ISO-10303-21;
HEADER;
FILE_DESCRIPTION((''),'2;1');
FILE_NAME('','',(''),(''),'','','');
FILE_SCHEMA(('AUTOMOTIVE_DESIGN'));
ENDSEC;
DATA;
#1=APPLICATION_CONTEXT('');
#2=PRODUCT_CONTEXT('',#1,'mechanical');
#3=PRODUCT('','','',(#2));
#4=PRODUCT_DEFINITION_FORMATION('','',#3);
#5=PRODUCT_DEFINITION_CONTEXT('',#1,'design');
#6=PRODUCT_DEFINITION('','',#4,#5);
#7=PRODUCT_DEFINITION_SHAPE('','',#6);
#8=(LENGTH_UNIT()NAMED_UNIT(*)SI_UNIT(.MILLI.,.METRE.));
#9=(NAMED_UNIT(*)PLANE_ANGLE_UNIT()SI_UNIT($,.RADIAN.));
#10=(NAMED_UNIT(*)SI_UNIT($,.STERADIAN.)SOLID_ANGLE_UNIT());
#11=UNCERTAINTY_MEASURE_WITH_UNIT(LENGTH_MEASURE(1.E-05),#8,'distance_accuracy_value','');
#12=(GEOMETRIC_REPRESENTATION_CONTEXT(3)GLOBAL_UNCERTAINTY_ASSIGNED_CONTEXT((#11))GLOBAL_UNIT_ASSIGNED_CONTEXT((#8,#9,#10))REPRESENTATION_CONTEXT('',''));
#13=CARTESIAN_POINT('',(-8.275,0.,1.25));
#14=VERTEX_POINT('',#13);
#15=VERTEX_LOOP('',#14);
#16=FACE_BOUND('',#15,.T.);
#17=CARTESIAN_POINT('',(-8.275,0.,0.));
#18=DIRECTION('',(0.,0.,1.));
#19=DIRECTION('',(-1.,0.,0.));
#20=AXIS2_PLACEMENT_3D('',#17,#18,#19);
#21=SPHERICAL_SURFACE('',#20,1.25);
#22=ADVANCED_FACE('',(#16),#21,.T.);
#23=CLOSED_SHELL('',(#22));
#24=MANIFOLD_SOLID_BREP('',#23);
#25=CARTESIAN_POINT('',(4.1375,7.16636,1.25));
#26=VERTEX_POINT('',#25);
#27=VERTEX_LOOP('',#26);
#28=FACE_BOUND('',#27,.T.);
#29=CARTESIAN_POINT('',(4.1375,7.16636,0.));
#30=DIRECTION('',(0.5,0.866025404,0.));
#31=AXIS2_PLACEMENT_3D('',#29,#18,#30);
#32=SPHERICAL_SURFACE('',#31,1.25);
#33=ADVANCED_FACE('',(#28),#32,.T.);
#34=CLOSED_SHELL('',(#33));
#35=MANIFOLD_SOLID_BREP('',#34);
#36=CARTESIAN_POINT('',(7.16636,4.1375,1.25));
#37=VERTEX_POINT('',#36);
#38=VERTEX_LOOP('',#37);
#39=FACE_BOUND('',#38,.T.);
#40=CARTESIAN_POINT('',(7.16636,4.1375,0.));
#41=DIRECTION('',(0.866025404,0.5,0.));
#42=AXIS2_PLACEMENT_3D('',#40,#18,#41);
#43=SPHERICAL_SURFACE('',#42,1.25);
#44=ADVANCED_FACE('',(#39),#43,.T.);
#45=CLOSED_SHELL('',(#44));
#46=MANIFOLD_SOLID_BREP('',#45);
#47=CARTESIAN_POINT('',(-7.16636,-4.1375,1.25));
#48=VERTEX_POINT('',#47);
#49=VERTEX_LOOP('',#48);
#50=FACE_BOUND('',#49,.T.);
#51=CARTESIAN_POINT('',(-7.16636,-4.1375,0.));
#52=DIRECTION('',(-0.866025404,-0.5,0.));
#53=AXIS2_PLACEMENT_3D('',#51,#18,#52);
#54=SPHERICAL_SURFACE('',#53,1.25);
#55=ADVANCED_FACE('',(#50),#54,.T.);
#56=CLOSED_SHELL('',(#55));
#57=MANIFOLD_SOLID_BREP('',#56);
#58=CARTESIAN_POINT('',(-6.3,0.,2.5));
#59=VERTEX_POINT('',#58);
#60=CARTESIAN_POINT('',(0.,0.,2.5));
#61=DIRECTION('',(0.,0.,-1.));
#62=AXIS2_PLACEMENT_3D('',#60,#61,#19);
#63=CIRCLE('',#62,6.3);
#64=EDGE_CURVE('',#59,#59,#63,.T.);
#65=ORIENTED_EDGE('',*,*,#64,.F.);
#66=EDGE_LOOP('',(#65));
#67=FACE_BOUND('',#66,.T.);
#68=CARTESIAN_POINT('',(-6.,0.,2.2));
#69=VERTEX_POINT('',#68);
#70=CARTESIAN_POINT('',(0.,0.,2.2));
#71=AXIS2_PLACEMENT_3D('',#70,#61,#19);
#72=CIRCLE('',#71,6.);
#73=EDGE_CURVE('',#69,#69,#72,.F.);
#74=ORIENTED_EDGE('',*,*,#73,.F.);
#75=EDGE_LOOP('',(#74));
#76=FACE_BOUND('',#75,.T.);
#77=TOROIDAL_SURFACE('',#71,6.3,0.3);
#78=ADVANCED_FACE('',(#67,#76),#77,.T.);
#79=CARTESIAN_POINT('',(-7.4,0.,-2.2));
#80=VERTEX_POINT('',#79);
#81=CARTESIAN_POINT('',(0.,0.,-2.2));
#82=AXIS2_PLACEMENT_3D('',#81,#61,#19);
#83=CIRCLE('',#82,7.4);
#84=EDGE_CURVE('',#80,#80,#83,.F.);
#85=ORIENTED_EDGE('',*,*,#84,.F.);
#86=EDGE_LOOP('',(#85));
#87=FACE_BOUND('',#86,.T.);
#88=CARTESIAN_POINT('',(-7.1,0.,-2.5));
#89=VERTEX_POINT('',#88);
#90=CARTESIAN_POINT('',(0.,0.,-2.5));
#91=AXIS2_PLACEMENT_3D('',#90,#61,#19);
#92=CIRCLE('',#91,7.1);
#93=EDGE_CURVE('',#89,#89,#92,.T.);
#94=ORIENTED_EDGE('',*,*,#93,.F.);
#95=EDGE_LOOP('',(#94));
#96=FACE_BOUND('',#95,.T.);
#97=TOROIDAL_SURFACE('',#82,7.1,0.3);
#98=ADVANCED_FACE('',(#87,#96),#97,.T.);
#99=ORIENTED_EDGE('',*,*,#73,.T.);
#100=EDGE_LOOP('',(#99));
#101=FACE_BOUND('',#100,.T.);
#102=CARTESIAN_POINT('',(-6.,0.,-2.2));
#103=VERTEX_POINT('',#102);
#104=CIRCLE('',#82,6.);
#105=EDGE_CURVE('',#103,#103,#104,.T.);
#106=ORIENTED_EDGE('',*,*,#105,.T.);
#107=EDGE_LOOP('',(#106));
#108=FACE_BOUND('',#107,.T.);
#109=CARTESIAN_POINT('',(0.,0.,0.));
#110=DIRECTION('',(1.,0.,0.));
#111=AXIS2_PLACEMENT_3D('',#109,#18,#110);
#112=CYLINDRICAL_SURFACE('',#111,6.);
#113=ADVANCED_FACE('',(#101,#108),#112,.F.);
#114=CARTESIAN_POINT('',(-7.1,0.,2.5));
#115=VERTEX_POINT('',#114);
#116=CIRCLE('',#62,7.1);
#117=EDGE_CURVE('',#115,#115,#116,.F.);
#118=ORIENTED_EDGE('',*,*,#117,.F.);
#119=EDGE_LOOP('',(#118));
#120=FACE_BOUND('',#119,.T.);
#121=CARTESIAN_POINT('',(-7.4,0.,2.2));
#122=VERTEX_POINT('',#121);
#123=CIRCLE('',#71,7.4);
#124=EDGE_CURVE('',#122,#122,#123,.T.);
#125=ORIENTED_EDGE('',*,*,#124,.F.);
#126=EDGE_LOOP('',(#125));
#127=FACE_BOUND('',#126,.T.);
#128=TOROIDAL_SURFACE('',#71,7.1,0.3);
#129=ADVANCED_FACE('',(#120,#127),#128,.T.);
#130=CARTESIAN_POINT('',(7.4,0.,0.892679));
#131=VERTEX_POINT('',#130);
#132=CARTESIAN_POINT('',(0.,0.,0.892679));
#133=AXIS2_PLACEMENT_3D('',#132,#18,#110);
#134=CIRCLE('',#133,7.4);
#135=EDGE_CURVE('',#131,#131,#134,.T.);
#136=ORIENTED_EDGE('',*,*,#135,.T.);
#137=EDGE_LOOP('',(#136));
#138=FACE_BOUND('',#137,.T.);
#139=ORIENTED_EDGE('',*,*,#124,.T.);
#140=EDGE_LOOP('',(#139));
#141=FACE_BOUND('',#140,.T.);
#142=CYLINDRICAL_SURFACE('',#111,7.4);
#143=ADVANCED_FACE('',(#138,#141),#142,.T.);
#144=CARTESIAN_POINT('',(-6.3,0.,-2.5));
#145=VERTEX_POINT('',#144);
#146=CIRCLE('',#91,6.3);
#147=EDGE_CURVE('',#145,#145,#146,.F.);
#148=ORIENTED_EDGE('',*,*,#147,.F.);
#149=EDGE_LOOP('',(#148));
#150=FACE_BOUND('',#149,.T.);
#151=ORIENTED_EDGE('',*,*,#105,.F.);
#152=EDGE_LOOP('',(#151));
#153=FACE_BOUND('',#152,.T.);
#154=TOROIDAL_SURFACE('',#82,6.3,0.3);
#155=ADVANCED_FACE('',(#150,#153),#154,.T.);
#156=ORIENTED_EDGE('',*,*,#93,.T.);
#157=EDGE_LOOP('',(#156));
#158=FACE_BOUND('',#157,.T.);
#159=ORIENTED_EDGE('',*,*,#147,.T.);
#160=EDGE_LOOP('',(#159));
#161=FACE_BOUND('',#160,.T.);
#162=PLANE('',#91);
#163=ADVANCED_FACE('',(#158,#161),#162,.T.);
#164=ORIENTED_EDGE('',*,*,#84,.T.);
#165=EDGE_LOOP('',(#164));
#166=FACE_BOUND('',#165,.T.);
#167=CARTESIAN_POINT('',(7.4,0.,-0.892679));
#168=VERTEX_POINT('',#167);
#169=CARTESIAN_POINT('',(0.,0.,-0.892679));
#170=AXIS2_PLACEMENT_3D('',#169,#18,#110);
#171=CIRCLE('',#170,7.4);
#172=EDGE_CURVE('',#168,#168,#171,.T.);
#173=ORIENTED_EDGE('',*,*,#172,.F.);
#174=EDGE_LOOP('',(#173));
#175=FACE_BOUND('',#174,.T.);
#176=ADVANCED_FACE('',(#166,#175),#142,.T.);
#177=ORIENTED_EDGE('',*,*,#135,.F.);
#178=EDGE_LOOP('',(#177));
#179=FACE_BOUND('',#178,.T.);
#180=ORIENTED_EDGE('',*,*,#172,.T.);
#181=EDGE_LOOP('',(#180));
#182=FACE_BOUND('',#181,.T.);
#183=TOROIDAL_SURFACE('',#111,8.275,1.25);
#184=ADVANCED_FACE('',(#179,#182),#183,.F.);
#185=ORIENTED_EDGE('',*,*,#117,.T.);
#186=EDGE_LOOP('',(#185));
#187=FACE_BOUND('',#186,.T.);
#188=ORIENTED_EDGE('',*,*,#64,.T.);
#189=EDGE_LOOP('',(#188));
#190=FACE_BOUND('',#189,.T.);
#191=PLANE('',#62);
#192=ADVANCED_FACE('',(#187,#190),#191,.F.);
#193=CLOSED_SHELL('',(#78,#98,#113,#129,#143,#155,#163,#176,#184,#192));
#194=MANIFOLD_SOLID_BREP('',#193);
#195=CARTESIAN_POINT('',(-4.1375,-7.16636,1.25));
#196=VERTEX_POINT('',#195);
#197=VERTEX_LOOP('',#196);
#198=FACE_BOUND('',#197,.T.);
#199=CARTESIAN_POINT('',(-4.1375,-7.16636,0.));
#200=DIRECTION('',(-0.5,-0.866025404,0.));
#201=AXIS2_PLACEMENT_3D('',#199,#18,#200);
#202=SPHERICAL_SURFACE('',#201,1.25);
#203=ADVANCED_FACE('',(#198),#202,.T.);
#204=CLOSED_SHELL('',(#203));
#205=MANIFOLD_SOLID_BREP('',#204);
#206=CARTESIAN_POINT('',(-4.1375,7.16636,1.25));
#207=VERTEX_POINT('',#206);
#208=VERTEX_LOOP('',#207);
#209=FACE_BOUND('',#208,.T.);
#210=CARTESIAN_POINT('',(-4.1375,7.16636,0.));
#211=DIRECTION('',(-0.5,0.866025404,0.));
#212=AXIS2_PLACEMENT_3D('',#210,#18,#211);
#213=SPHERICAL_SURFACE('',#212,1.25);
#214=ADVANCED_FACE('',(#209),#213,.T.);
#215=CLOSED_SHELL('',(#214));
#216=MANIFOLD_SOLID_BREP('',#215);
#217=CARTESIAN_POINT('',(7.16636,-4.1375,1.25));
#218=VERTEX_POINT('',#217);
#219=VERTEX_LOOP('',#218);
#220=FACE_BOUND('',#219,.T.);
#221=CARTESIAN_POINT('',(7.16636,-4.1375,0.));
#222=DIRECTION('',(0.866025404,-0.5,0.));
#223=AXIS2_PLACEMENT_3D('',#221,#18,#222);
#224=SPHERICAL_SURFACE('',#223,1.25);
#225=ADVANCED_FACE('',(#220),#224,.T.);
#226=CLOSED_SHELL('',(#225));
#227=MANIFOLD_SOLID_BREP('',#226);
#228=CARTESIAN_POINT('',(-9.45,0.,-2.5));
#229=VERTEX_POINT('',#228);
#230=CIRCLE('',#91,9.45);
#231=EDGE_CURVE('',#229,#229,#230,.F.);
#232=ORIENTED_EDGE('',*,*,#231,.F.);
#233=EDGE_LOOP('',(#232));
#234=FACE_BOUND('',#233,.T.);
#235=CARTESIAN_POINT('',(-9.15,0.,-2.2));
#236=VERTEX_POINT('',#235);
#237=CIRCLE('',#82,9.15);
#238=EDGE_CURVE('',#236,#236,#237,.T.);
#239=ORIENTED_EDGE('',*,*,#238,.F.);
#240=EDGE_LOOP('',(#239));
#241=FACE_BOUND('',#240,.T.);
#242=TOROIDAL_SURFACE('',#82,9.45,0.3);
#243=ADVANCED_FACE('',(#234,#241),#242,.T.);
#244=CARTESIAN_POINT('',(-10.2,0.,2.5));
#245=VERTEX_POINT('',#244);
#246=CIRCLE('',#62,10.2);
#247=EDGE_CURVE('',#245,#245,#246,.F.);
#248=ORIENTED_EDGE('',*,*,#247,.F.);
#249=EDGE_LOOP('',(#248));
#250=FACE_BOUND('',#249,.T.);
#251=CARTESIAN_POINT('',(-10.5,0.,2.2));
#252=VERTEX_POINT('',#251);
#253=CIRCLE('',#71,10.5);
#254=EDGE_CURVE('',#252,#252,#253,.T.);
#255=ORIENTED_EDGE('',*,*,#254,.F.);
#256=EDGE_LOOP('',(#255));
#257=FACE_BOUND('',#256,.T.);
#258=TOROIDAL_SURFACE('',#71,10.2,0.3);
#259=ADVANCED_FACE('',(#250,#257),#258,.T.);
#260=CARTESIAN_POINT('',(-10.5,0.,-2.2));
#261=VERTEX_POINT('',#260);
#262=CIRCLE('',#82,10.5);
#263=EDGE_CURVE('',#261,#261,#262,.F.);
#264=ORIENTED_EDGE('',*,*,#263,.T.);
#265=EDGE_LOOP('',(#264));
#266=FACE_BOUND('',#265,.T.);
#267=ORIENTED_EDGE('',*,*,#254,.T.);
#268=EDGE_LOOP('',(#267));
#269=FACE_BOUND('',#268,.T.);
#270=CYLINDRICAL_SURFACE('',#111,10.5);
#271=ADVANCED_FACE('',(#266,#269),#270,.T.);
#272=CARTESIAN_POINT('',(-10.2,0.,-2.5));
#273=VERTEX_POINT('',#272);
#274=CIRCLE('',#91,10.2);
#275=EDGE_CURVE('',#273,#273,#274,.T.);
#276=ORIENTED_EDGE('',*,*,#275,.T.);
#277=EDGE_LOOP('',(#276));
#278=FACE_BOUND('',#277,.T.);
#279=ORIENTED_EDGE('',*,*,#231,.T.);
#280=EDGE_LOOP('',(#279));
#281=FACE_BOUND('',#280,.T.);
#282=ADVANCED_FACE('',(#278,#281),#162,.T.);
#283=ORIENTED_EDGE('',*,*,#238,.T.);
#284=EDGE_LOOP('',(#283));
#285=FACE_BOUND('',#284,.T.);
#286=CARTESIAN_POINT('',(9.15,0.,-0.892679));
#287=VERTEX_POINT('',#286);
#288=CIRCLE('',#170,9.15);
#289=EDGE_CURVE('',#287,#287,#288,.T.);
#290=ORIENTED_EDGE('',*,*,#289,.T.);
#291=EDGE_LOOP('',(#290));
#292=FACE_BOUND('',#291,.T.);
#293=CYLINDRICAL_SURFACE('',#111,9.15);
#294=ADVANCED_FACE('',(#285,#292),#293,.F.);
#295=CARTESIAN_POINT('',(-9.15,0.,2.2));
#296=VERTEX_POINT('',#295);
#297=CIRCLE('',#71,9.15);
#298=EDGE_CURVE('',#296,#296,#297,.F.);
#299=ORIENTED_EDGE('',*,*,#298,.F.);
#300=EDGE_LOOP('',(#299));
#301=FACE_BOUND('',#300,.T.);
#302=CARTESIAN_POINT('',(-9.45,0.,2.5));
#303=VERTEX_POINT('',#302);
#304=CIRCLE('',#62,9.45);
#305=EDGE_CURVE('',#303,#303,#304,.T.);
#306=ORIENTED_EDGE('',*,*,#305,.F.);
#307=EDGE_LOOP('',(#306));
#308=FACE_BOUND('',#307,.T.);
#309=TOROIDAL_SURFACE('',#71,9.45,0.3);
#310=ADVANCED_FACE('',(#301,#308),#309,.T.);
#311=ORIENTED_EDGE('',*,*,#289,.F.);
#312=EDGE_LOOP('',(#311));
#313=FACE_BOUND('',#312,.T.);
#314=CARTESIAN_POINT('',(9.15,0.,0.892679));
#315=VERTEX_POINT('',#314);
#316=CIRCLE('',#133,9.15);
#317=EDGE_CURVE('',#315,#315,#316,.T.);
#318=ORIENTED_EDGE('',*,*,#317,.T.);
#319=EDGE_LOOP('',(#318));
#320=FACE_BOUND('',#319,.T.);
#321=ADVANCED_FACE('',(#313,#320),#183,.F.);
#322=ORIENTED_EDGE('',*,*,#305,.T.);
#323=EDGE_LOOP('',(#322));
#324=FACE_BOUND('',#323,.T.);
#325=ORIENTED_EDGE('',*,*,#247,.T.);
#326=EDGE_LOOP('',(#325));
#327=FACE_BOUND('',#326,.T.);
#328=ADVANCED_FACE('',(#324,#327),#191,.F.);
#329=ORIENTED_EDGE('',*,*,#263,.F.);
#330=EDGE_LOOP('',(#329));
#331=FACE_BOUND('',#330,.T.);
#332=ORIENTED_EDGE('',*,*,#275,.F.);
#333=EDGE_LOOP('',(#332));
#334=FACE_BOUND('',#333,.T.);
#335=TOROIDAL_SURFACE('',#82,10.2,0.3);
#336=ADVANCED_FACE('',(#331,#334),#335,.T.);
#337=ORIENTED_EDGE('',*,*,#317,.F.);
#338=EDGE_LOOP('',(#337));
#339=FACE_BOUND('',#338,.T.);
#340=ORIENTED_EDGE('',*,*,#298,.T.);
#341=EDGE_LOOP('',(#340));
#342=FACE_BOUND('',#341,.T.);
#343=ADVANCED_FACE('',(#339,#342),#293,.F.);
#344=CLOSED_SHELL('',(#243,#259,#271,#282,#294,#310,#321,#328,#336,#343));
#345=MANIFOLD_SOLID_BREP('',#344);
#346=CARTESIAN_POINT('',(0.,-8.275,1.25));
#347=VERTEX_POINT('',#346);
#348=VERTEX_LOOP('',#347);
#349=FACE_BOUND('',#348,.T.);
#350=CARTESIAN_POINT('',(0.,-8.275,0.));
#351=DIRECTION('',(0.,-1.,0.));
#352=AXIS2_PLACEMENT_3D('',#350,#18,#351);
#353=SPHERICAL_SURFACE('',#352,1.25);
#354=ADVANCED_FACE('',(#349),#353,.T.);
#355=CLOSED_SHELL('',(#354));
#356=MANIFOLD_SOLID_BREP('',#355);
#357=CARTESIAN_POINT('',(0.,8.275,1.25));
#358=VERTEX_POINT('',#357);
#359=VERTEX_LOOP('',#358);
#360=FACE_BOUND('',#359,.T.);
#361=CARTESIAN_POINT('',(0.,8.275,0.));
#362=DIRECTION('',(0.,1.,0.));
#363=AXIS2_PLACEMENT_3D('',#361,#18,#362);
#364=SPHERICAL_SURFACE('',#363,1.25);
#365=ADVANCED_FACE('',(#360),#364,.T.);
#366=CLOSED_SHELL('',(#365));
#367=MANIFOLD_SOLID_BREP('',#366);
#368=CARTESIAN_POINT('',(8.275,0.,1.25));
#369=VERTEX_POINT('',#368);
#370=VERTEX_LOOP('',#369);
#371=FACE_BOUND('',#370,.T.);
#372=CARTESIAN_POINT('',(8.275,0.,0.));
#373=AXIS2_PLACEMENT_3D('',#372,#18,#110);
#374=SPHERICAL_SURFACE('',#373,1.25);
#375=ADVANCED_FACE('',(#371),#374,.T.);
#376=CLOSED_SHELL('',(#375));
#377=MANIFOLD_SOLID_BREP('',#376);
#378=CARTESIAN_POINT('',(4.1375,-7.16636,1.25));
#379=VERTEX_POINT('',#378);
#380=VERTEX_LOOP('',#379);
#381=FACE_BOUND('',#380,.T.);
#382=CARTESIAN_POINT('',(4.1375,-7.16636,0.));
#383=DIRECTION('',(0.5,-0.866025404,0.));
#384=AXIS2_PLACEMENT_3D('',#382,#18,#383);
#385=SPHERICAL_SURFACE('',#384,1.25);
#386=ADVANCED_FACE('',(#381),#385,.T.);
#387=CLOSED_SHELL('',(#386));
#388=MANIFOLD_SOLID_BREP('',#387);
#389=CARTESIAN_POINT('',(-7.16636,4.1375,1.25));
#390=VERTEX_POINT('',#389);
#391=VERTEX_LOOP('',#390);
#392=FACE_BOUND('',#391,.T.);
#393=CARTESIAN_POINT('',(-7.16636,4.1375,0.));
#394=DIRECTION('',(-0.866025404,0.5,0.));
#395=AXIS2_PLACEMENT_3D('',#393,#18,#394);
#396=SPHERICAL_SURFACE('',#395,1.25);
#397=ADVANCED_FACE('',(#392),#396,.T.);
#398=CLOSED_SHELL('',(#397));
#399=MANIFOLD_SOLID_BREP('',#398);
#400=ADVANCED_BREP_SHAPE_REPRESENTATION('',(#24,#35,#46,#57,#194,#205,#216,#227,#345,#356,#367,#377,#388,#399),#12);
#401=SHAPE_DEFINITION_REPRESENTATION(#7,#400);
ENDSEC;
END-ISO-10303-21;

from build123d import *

# Parameters (mm, degrees)
KREISMUSTER4_COUNT = 12
VERRUNDUNG1_R      = 0.3
VERRUNDUNG2_R      = 0.3


with BuildPart() as part:
    # Skizze1 → Rotation1 (revolve)
    with BuildSketch(Plane(origin=(0, 0, 0), x_dir=(0, 0, -1), z_dir=(1, 0, 0))):
        with BuildLine():
            Line((2.5, 10.5), (-2.5, 10.5))
            Line((-2.5, 10.5), (-2.5, 9.15))
            Line((-2.5, 9.15), (-0.892678554, 9.15))
            ThreePointArc((-0.892678554, 9.15), (0, 9.525), (0.892678554, 9.15))
            Line((0.892678554, 9.15), (2.5, 9.15))
            Line((2.5, 9.15), (2.5, 10.5))
        make_face()
        with BuildLine():
            ThreePointArc((0.892678554, 7.4), (0, 7.025), (-0.892678554, 7.4))
            Line((-0.892678554, 7.4), (-2.5, 7.4))
            Line((-2.5, 7.4), (-2.5, 6))
            Line((-2.5, 6), (2.5, 6))
            Line((2.5, 6), (2.5, 7.4))
            Line((2.5, 7.4), (0.892678554, 7.4))
        make_face()
    revolve(axis=Axis((0, 0, 0), (0, 0, -1)))

    # Verrundung1
    verrundung1_edges = [part.edges().sort_by_distance(p)[0] for p in [
        (0, -9.15, -2.5),
        (0, -9.15, 2.5),
        (0, -10.5, -2.5),
        (0, -10.5, 2.5),
    ]]
    fillet(verrundung1_edges, radius=VERRUNDUNG1_R)

    # Verrundung2
    verrundung2_edges = [part.edges().sort_by_distance(p)[0] for p in [
        (0, -7.4, -2.5),
        (0, -6, -2.5),
        (0, -7.4, 2.5),
        (0, -6, 2.5),
    ]]
    fillet(verrundung2_edges, radius=VERRUNDUNG2_R)


with BuildPart() as body_2:
    # Skizze1<5> → Rotation3 (revolve)
    with BuildSketch(Plane(origin=(0, 0, 0), x_dir=(0, 0, -1), z_dir=(1, 0, 0))):
        with BuildLine():
            ThreePointArc((0.892678554, 9.15), (0, 9.525), (-0.892678554, 9.15))
            ThreePointArc((-0.892678554, 9.15), (-1.157226899, 8.747573702), (-1.25, 8.275))
            Line((-1.25, 8.275), (1.25, 8.275))
            ThreePointArc((1.25, 8.275), (1.157226899, 8.747573702), (0.892678554, 9.15))
        make_face()
    revolve(axis=Axis((0, 8.275, 1.25), (0, 0, -1)))


with BuildPart() as kreismuster4_1:
    # Kreismuster4: pattern copy
    add(body_2.part.rotate(Axis((0, 0, -2.5), (0, 0, 1)), 1 * 360 / KREISMUSTER4_COUNT))


with BuildPart() as kreismuster4_2:
    # Kreismuster4: pattern copy
    add(body_2.part.rotate(Axis((0, 0, -2.5), (0, 0, 1)), 2 * 360 / KREISMUSTER4_COUNT))


with BuildPart() as kreismuster4_3:
    # Kreismuster4: pattern copy
    add(body_2.part.rotate(Axis((0, 0, -2.5), (0, 0, 1)), 3 * 360 / KREISMUSTER4_COUNT))


with BuildPart() as kreismuster4_4:
    # Kreismuster4: pattern copy
    add(body_2.part.rotate(Axis((0, 0, -2.5), (0, 0, 1)), 4 * 360 / KREISMUSTER4_COUNT))


with BuildPart() as kreismuster4_5:
    # Kreismuster4: pattern copy
    add(body_2.part.rotate(Axis((0, 0, -2.5), (0, 0, 1)), 5 * 360 / KREISMUSTER4_COUNT))


with BuildPart() as kreismuster4_6:
    # Kreismuster4: pattern copy
    add(body_2.part.rotate(Axis((0, 0, -2.5), (0, 0, 1)), 6 * 360 / KREISMUSTER4_COUNT))


with BuildPart() as kreismuster4_7:
    # Kreismuster4: pattern copy
    add(body_2.part.rotate(Axis((0, 0, -2.5), (0, 0, 1)), 7 * 360 / KREISMUSTER4_COUNT))


with BuildPart() as kreismuster4_8:
    # Kreismuster4: pattern copy
    add(body_2.part.rotate(Axis((0, 0, -2.5), (0, 0, 1)), 8 * 360 / KREISMUSTER4_COUNT))


with BuildPart() as kreismuster4_9:
    # Kreismuster4: pattern copy
    add(body_2.part.rotate(Axis((0, 0, -2.5), (0, 0, 1)), 9 * 360 / KREISMUSTER4_COUNT))


with BuildPart() as kreismuster4_10:
    # Kreismuster4: pattern copy
    add(body_2.part.rotate(Axis((0, 0, -2.5), (0, 0, 1)), 10 * 360 / KREISMUSTER4_COUNT))


with BuildPart() as kreismuster4_11:
    # Kreismuster4: pattern copy
    add(body_2.part.rotate(Axis((0, 0, -2.5), (0, 0, 1)), 11 * 360 / KREISMUSTER4_COUNT))


solid = Compound([part.part, body_2.part, kreismuster4_1.part, kreismuster4_2.part, kreismuster4_3.part, kreismuster4_4.part, kreismuster4_5.part, kreismuster4_6.part, kreismuster4_7.part, kreismuster4_8.part, kreismuster4_9.part, kreismuster4_10.part, kreismuster4_11.part])
